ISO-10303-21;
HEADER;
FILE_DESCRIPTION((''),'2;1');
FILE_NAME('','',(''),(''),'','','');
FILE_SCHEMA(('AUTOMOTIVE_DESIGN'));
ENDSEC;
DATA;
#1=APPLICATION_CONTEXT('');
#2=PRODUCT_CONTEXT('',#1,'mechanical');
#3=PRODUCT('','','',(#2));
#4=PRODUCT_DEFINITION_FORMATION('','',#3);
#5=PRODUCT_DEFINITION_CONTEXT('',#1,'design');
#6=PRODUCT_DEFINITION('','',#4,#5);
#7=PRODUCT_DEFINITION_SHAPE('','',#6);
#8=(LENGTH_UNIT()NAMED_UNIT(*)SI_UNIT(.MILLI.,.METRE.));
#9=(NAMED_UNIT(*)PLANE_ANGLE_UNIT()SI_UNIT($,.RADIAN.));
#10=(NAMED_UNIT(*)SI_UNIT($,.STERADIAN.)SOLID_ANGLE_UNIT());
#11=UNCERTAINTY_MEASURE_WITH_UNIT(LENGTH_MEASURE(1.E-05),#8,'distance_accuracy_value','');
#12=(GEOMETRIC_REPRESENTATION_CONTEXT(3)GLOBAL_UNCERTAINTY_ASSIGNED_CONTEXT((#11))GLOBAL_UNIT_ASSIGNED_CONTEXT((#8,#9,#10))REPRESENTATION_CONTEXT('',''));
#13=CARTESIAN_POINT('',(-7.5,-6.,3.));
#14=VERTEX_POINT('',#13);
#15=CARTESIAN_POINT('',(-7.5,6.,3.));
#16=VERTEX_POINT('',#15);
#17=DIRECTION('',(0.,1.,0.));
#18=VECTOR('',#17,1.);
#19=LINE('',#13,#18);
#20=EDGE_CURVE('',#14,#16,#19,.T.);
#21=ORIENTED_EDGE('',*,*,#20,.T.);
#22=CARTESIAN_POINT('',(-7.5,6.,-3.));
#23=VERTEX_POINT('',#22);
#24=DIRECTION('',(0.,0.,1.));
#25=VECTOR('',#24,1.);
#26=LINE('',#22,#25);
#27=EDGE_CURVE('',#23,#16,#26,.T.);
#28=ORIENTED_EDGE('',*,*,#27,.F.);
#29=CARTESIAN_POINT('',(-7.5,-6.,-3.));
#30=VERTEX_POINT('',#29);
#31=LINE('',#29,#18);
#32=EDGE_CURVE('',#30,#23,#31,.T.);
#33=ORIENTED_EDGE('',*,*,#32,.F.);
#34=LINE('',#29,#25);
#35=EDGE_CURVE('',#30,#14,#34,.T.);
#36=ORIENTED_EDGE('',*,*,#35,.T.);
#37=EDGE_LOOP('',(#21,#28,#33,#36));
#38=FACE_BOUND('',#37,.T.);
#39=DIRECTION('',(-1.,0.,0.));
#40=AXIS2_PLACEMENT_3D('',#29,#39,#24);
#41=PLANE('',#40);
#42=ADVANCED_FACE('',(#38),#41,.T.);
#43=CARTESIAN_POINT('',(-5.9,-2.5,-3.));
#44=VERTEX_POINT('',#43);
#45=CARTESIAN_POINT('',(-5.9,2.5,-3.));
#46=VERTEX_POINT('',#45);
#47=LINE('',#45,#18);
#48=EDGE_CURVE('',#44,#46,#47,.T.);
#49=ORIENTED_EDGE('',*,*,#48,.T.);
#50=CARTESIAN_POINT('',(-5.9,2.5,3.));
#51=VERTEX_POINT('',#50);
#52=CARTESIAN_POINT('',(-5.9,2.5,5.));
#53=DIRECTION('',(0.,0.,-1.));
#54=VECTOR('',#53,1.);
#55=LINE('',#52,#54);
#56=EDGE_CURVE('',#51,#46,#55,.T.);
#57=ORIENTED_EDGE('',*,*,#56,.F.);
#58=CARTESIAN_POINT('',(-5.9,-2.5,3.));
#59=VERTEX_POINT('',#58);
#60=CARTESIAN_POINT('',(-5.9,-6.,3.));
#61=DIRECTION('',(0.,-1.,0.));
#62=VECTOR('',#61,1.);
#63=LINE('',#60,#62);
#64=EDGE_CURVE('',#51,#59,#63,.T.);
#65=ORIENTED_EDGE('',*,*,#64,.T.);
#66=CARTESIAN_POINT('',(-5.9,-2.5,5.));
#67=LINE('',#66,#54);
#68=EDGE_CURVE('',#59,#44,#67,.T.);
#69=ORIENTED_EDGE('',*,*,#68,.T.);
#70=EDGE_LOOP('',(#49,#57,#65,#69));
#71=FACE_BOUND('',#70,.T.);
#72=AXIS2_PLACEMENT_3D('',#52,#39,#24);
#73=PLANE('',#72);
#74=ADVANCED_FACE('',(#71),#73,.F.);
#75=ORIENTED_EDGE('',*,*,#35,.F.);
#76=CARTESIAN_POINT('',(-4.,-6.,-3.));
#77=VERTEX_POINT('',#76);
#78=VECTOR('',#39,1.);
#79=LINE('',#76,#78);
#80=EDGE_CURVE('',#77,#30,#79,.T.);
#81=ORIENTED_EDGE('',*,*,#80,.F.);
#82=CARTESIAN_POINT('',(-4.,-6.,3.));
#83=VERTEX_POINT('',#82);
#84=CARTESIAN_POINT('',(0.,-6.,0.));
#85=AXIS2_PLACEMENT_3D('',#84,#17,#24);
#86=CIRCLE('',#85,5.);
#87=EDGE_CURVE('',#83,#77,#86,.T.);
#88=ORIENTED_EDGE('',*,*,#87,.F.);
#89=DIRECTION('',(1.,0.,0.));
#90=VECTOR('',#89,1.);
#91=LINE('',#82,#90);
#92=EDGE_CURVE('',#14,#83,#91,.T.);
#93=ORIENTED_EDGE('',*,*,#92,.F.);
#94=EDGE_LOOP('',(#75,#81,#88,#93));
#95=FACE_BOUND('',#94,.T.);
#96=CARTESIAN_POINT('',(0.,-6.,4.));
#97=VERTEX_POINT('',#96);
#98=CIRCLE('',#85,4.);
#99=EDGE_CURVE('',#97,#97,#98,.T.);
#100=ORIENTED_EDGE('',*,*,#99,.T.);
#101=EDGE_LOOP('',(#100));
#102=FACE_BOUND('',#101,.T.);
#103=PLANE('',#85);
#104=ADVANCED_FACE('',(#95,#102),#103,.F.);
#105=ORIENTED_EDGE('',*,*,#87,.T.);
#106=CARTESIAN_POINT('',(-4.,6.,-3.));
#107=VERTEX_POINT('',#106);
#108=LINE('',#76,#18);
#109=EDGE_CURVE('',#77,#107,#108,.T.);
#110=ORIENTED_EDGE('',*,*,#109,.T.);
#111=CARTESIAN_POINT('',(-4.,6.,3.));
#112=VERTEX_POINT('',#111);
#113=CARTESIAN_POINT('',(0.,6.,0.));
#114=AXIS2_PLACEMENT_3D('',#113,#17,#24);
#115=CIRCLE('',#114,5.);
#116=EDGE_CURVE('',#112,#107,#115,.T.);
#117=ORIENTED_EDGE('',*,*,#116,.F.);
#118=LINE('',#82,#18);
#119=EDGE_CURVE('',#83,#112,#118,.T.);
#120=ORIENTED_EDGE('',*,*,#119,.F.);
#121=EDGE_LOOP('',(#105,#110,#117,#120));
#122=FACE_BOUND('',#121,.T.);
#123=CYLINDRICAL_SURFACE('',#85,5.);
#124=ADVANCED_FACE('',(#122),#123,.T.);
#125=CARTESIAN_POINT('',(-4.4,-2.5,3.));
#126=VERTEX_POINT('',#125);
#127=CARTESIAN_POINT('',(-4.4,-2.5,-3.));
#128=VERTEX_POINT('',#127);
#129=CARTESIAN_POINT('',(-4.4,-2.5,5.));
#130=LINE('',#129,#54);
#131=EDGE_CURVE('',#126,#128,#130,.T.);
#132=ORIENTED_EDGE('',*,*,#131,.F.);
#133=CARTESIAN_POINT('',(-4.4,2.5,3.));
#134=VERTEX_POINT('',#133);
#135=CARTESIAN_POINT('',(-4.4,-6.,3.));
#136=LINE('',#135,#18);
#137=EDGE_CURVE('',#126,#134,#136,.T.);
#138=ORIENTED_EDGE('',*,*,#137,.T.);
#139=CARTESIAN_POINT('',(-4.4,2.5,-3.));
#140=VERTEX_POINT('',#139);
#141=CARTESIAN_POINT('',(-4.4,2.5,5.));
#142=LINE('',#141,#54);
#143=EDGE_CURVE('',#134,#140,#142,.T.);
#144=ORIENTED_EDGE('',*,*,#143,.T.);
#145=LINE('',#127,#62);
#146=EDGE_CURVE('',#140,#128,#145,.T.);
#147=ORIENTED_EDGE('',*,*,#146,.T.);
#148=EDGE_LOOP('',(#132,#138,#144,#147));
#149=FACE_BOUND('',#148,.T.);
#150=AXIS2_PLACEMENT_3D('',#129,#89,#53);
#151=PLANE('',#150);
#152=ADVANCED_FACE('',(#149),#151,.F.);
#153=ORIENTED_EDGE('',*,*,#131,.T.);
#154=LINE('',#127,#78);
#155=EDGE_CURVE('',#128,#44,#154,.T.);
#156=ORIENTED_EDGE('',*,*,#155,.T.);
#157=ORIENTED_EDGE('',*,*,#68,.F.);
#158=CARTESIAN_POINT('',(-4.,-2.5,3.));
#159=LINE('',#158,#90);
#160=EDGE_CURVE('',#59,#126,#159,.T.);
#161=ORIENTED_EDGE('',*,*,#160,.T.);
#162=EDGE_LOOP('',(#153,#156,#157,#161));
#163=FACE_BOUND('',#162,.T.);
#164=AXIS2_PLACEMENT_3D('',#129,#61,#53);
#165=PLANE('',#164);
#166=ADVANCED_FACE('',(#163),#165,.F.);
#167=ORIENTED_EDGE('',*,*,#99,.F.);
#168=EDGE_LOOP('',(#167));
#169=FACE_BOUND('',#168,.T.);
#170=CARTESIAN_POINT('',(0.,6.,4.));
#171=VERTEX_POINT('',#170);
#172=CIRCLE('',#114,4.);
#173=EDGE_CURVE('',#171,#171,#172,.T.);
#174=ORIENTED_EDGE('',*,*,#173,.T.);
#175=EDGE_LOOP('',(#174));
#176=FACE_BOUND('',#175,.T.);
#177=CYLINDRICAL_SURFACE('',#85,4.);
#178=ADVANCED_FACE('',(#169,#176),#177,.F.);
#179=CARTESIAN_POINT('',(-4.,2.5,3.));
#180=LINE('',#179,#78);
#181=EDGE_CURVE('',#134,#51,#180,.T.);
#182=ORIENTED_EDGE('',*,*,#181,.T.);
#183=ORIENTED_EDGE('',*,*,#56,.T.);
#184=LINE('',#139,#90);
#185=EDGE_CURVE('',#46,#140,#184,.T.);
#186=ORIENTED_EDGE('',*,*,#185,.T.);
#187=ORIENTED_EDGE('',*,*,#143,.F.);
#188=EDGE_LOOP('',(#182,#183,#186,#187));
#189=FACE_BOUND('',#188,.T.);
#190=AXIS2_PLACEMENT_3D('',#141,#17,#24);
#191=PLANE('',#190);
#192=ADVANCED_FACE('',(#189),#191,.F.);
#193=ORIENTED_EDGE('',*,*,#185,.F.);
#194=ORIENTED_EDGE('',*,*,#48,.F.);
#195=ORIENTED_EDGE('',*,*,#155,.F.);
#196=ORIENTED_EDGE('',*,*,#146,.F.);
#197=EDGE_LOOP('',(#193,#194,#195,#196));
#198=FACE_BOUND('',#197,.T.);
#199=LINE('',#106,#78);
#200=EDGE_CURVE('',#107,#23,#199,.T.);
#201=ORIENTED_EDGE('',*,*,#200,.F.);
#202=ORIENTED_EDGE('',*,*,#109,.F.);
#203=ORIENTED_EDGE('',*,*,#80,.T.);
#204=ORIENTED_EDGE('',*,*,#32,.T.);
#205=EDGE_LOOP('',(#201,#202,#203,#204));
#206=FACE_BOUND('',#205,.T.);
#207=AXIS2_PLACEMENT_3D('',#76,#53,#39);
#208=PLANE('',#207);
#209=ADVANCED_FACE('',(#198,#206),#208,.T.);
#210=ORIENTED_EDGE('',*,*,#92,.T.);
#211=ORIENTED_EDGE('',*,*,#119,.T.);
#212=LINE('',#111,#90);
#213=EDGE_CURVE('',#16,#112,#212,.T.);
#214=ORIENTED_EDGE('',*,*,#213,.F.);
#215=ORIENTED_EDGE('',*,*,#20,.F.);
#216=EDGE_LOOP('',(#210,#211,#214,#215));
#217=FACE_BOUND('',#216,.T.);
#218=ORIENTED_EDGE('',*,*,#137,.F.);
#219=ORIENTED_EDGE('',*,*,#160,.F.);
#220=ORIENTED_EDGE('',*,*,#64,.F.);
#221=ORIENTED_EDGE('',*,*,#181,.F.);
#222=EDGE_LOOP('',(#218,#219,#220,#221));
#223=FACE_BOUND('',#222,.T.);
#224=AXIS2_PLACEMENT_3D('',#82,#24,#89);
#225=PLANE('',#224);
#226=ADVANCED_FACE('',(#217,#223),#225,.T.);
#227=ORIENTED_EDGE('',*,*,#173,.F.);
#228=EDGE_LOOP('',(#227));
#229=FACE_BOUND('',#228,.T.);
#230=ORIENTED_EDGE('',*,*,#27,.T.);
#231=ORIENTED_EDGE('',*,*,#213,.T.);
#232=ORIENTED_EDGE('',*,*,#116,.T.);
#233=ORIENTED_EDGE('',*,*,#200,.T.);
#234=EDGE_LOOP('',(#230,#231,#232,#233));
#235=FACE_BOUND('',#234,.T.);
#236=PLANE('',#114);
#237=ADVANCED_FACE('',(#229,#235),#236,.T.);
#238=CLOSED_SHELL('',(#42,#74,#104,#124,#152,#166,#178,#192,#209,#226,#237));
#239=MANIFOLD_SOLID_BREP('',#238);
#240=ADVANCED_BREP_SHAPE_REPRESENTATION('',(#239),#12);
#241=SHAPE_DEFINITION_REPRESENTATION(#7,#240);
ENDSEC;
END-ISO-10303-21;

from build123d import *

# Parameters (mm, degrees)
BOSS_EXTRUDE1_DEPTH      = 6
BOSS_EXTRUDE1_DEPTH_BACK = 6
SKETCH1_R                = 4
SKETCH2_W                = 1.5
SKETCH2_H                = 5
CUT_EXTRUDE1_DEPTH       = 13.5


with BuildPart() as part:
    # Sketch1 → Boss-Extrude1 (new, two sides: drawn at the far end of the back side and taken through both)
    with BuildSketch(Plane(origin=(0, 0, 0), x_dir=(1, 0, 0), z_dir=(0, 1, 0)).offset(-BOSS_EXTRUDE1_DEPTH_BACK)):
        with BuildLine():
            Line((-4, 3), (-7.5, 3))
            Line((-7.5, 3), (-7.5, -3))
            Line((-7.5, -3), (-4, -3))
            ThreePointArc((-4, -3), (5, 0), (-4, 3))
        make_face()
        Circle(SKETCH1_R, mode=Mode.SUBTRACT)
    extrude(amount=BOSS_EXTRUDE1_DEPTH + BOSS_EXTRUDE1_DEPTH_BACK)

    # Sketch2 → Cut-Extrude1 (cut, through all)
    with BuildSketch(Plane(origin=(0, 0, -3), x_dir=(-1, 0, 0), z_dir=(0, 0, -1))):
        with Locations((5.15, 0)):
            Rectangle(SKETCH2_W, SKETCH2_H)
    extrude(amount=-CUT_EXTRUDE1_DEPTH, mode=Mode.SUBTRACT)


solid = part.part
